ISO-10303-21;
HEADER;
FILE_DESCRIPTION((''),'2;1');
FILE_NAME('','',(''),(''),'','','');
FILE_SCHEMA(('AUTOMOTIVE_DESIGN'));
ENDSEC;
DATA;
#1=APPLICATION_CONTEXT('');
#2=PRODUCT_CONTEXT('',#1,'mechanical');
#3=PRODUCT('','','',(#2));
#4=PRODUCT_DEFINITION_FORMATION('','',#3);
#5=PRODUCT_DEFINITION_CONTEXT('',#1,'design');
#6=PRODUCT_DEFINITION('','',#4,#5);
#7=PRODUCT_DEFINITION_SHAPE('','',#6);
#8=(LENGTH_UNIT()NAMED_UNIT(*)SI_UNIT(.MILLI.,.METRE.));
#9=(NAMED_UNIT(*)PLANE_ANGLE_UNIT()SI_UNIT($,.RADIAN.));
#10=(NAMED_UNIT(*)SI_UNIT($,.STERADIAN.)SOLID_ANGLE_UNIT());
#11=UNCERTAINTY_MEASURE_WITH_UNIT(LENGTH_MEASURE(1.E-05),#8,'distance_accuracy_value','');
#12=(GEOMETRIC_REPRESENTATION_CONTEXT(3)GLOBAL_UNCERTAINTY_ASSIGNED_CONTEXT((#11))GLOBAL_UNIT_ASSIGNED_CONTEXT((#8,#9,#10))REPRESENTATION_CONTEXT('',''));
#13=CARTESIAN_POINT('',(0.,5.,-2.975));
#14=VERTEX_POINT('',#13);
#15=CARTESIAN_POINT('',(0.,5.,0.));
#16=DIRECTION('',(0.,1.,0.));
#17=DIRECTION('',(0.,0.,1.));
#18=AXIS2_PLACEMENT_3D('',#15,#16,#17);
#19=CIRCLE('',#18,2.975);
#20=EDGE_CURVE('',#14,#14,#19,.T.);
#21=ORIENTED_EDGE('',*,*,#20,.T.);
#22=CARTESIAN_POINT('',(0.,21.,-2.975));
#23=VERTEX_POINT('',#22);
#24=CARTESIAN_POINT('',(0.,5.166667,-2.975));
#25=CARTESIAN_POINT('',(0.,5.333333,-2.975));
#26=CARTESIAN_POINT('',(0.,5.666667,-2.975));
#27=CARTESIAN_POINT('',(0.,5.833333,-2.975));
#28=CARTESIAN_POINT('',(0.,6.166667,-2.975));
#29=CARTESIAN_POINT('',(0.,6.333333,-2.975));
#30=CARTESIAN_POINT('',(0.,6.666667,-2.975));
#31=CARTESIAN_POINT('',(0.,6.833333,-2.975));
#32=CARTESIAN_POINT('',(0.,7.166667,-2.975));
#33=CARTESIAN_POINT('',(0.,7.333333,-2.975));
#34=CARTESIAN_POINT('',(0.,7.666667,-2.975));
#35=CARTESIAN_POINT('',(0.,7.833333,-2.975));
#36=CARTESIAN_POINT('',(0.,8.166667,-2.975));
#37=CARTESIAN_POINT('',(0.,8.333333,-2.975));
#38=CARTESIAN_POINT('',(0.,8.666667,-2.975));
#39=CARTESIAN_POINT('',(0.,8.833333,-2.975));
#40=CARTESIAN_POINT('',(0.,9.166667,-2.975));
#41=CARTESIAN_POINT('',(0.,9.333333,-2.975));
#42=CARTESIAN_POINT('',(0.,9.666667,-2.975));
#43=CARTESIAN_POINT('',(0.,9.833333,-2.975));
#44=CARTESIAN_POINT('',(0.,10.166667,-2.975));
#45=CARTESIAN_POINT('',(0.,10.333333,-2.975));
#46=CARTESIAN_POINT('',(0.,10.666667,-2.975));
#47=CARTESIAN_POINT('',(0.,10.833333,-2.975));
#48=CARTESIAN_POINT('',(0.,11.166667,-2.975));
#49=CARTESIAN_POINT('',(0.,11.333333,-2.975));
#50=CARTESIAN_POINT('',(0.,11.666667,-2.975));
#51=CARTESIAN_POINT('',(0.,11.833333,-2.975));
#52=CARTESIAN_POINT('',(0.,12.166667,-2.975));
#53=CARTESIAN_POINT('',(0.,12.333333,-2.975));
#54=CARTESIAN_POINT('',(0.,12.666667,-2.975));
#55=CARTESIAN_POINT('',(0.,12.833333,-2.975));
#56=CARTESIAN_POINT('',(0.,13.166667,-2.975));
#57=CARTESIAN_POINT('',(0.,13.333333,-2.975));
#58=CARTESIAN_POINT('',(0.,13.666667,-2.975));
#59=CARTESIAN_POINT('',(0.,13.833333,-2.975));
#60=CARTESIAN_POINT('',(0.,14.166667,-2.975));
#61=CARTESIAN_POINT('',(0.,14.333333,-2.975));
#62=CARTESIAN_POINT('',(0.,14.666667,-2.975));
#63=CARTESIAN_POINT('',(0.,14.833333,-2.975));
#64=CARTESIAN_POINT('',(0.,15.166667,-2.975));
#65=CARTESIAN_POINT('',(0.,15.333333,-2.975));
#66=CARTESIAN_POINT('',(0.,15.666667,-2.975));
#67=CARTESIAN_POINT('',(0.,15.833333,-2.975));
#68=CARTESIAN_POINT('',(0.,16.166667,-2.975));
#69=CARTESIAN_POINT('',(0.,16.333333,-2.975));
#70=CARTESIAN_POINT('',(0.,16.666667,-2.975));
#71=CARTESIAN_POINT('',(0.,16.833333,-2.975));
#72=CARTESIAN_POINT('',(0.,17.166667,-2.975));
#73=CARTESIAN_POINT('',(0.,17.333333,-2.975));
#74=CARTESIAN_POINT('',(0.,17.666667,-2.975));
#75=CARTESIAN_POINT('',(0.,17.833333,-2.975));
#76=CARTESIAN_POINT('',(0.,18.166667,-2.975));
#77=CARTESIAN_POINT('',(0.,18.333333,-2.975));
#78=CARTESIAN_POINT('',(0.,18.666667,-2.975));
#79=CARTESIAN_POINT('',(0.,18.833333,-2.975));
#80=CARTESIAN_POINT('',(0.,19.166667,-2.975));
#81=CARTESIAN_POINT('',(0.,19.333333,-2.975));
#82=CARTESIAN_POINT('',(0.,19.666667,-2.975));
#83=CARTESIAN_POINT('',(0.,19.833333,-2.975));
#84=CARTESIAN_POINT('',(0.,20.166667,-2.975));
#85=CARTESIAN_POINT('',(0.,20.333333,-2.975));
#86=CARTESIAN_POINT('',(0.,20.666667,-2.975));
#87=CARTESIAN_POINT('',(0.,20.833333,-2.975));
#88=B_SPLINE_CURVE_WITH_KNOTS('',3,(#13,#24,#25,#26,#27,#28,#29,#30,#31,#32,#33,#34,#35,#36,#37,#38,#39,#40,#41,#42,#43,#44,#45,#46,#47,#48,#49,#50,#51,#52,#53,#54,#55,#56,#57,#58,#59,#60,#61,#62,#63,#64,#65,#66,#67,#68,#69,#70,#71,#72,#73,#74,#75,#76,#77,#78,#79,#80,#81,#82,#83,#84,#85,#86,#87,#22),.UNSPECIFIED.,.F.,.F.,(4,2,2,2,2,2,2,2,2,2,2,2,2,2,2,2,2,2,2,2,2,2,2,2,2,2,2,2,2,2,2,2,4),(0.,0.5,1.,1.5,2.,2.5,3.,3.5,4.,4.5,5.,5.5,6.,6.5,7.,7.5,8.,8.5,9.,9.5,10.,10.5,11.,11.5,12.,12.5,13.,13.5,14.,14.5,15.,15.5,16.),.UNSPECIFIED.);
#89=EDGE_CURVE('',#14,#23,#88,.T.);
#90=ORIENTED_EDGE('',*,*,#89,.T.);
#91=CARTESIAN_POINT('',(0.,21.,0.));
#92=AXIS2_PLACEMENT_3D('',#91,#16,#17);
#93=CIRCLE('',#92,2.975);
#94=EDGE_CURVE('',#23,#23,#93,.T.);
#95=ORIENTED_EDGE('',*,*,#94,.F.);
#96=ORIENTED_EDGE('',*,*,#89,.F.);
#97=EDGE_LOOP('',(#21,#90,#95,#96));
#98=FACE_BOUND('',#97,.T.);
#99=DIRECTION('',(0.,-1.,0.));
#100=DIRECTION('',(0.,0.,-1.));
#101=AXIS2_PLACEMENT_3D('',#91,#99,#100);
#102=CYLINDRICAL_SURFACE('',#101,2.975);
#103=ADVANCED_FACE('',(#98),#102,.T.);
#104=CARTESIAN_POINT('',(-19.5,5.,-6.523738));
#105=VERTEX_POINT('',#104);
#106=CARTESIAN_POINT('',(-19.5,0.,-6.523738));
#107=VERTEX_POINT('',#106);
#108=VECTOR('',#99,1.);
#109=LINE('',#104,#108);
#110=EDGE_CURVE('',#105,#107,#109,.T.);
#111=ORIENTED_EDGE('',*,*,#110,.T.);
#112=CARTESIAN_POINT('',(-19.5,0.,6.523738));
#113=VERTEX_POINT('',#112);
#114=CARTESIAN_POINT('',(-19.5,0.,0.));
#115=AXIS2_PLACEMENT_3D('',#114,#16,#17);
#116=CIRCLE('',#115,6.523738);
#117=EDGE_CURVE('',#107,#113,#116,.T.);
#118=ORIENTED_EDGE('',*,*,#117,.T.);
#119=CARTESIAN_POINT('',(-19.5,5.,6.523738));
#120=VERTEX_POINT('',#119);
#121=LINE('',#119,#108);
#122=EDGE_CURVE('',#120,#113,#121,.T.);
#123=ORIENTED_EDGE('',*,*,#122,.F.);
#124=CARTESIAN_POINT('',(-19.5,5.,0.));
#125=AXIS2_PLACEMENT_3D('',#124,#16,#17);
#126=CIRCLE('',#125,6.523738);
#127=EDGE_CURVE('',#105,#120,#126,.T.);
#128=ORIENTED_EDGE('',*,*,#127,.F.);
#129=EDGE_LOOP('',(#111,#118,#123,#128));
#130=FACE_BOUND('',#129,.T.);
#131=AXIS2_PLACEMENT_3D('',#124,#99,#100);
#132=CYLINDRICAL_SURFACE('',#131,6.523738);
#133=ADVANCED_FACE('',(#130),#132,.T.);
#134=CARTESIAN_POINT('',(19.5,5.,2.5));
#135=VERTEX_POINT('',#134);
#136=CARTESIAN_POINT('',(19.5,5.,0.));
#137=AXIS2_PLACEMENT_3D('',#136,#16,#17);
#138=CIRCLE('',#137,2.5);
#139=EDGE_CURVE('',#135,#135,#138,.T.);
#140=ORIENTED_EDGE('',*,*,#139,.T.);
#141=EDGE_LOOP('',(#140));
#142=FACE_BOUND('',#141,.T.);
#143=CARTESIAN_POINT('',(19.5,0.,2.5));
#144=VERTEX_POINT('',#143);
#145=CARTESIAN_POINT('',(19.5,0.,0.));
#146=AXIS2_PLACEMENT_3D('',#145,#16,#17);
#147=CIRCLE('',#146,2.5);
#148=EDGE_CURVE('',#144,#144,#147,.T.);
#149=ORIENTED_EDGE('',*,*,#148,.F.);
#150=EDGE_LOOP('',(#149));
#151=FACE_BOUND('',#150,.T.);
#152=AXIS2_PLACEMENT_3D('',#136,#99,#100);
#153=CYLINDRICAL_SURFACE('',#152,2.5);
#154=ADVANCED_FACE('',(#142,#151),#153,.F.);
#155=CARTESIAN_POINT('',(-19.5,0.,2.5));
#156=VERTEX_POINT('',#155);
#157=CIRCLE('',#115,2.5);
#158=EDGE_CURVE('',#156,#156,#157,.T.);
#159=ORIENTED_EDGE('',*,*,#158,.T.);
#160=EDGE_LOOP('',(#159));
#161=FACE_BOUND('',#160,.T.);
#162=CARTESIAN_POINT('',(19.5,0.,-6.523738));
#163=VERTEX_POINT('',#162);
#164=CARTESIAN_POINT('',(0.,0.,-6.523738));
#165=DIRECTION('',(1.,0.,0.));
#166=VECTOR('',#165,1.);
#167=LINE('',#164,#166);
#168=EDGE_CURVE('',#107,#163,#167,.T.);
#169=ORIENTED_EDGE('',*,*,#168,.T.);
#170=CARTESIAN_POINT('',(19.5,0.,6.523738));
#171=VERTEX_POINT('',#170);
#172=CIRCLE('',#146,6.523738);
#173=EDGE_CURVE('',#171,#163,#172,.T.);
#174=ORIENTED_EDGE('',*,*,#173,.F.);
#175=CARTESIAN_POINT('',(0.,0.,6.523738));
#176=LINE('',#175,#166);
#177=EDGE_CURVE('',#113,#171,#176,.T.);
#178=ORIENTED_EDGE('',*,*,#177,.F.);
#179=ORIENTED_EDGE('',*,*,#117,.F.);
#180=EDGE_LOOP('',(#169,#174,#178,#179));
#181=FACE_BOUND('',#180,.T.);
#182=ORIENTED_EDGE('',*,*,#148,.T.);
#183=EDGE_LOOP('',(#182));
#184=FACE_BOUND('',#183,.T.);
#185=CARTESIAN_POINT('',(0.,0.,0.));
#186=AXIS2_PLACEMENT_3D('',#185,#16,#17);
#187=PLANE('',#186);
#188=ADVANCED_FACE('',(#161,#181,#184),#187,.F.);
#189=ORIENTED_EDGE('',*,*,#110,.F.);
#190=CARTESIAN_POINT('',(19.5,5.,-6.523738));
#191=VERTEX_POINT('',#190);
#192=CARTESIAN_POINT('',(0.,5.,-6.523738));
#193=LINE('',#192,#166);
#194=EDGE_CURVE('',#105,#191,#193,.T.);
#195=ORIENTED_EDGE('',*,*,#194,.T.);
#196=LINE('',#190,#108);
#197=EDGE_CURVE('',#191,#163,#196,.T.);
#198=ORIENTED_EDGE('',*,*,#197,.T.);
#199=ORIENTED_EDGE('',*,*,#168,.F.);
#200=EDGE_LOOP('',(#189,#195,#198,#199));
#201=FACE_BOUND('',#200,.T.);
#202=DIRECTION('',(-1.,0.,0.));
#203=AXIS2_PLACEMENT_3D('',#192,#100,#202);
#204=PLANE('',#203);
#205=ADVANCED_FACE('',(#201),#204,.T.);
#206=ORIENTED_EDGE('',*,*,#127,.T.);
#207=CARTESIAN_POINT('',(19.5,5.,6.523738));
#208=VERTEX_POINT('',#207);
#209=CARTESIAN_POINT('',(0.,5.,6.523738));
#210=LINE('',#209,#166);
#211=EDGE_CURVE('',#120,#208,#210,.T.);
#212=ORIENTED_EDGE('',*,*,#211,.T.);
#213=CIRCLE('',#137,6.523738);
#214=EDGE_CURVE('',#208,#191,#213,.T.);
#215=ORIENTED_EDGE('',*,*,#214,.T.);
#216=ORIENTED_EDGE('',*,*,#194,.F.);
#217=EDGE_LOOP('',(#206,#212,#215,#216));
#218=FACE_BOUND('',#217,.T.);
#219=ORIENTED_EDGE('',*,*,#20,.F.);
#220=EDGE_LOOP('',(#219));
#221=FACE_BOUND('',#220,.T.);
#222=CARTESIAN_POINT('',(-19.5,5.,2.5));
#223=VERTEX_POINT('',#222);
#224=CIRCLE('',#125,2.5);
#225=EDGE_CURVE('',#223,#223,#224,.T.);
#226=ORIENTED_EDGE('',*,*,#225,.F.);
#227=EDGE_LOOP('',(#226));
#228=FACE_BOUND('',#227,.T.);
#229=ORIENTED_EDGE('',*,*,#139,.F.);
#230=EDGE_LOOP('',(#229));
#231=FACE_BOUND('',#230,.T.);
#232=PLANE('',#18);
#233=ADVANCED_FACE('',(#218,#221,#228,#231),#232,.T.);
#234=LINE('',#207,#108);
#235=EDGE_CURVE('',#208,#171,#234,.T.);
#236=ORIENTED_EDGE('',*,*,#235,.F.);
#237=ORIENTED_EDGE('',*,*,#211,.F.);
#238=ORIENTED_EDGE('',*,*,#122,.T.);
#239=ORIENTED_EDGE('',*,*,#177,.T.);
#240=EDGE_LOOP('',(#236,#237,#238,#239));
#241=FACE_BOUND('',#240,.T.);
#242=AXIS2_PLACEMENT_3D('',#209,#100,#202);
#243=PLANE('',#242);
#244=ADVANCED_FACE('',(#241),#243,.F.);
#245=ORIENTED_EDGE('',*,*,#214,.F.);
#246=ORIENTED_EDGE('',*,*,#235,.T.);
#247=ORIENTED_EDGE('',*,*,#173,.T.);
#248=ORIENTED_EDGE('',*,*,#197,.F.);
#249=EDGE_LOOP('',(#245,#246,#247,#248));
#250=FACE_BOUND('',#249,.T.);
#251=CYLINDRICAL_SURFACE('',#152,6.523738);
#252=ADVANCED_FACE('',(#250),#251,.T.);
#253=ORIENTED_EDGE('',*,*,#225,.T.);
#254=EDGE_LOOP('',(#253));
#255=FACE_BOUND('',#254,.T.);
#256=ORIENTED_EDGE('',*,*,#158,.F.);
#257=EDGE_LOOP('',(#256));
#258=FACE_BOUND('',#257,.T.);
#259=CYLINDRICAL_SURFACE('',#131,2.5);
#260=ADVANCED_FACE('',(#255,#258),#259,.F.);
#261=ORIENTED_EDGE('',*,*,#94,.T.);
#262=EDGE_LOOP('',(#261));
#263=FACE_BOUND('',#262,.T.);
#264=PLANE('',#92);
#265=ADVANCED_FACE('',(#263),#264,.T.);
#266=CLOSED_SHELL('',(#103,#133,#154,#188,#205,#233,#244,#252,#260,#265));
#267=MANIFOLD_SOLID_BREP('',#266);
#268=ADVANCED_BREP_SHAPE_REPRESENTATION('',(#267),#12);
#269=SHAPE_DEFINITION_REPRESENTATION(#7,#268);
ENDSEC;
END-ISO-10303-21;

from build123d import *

# Parameters (mm, degrees)
CROQUIS2_R              = 2.5
SALIENTE_EXTRUIR1_DEPTH = 5
CROQUIS2_4_R            = 2.975
SALIENTE_EXTRUIR2_DEPTH = 21


with BuildPart() as part:
    # Croquis2 → Saliente-Extruir1 (new body)
    with BuildSketch(Plane(origin=(0, 0, 0), x_dir=(1, 0, 0), z_dir=(0, 1, 0))):
        with BuildLine():
            Line((19.5, 6.523737612), (-19.5, 6.523737612))
            ThreePointArc((-19.5, 6.523737612), (-26.023737612, 0), (-19.5, -6.523737612))
            Line((-19.5, -6.523737612), (19.5, -6.523737612))
            ThreePointArc((19.5, -6.523737612), (26.023737612, 0), (19.5, 6.523737612))
        make_face()
        with Locations((-19.5, 0)):
            Circle(CROQUIS2_R, mode=Mode.SUBTRACT)
        with BuildLine():
            ThreePointArc((2.975, 0), (0, -2.975), (-2.975, 0))
            ThreePointArc((-2.975, 0), (0, 2.975), (2.975, 0))
        make_face(mode=Mode.SUBTRACT)
        with BuildLine():
            ThreePointArc((22, 0), (19.5, -2.5), (17, 0))
            ThreePointArc((17, 0), (19.5, 2.5), (22, 0))
        make_face(mode=Mode.SUBTRACT)
    extrude(amount=SALIENTE_EXTRUIR1_DEPTH)

    # Croquis2<4> → Saliente-Extruir2 (add)
    with BuildSketch(Plane(origin=(0, 0, 0), x_dir=(1, 0, 0), z_dir=(0, 1, 0))):
        Circle(CROQUIS2_4_R)
    extrude(amount=SALIENTE_EXTRUIR2_DEPTH)


solid = part.part
